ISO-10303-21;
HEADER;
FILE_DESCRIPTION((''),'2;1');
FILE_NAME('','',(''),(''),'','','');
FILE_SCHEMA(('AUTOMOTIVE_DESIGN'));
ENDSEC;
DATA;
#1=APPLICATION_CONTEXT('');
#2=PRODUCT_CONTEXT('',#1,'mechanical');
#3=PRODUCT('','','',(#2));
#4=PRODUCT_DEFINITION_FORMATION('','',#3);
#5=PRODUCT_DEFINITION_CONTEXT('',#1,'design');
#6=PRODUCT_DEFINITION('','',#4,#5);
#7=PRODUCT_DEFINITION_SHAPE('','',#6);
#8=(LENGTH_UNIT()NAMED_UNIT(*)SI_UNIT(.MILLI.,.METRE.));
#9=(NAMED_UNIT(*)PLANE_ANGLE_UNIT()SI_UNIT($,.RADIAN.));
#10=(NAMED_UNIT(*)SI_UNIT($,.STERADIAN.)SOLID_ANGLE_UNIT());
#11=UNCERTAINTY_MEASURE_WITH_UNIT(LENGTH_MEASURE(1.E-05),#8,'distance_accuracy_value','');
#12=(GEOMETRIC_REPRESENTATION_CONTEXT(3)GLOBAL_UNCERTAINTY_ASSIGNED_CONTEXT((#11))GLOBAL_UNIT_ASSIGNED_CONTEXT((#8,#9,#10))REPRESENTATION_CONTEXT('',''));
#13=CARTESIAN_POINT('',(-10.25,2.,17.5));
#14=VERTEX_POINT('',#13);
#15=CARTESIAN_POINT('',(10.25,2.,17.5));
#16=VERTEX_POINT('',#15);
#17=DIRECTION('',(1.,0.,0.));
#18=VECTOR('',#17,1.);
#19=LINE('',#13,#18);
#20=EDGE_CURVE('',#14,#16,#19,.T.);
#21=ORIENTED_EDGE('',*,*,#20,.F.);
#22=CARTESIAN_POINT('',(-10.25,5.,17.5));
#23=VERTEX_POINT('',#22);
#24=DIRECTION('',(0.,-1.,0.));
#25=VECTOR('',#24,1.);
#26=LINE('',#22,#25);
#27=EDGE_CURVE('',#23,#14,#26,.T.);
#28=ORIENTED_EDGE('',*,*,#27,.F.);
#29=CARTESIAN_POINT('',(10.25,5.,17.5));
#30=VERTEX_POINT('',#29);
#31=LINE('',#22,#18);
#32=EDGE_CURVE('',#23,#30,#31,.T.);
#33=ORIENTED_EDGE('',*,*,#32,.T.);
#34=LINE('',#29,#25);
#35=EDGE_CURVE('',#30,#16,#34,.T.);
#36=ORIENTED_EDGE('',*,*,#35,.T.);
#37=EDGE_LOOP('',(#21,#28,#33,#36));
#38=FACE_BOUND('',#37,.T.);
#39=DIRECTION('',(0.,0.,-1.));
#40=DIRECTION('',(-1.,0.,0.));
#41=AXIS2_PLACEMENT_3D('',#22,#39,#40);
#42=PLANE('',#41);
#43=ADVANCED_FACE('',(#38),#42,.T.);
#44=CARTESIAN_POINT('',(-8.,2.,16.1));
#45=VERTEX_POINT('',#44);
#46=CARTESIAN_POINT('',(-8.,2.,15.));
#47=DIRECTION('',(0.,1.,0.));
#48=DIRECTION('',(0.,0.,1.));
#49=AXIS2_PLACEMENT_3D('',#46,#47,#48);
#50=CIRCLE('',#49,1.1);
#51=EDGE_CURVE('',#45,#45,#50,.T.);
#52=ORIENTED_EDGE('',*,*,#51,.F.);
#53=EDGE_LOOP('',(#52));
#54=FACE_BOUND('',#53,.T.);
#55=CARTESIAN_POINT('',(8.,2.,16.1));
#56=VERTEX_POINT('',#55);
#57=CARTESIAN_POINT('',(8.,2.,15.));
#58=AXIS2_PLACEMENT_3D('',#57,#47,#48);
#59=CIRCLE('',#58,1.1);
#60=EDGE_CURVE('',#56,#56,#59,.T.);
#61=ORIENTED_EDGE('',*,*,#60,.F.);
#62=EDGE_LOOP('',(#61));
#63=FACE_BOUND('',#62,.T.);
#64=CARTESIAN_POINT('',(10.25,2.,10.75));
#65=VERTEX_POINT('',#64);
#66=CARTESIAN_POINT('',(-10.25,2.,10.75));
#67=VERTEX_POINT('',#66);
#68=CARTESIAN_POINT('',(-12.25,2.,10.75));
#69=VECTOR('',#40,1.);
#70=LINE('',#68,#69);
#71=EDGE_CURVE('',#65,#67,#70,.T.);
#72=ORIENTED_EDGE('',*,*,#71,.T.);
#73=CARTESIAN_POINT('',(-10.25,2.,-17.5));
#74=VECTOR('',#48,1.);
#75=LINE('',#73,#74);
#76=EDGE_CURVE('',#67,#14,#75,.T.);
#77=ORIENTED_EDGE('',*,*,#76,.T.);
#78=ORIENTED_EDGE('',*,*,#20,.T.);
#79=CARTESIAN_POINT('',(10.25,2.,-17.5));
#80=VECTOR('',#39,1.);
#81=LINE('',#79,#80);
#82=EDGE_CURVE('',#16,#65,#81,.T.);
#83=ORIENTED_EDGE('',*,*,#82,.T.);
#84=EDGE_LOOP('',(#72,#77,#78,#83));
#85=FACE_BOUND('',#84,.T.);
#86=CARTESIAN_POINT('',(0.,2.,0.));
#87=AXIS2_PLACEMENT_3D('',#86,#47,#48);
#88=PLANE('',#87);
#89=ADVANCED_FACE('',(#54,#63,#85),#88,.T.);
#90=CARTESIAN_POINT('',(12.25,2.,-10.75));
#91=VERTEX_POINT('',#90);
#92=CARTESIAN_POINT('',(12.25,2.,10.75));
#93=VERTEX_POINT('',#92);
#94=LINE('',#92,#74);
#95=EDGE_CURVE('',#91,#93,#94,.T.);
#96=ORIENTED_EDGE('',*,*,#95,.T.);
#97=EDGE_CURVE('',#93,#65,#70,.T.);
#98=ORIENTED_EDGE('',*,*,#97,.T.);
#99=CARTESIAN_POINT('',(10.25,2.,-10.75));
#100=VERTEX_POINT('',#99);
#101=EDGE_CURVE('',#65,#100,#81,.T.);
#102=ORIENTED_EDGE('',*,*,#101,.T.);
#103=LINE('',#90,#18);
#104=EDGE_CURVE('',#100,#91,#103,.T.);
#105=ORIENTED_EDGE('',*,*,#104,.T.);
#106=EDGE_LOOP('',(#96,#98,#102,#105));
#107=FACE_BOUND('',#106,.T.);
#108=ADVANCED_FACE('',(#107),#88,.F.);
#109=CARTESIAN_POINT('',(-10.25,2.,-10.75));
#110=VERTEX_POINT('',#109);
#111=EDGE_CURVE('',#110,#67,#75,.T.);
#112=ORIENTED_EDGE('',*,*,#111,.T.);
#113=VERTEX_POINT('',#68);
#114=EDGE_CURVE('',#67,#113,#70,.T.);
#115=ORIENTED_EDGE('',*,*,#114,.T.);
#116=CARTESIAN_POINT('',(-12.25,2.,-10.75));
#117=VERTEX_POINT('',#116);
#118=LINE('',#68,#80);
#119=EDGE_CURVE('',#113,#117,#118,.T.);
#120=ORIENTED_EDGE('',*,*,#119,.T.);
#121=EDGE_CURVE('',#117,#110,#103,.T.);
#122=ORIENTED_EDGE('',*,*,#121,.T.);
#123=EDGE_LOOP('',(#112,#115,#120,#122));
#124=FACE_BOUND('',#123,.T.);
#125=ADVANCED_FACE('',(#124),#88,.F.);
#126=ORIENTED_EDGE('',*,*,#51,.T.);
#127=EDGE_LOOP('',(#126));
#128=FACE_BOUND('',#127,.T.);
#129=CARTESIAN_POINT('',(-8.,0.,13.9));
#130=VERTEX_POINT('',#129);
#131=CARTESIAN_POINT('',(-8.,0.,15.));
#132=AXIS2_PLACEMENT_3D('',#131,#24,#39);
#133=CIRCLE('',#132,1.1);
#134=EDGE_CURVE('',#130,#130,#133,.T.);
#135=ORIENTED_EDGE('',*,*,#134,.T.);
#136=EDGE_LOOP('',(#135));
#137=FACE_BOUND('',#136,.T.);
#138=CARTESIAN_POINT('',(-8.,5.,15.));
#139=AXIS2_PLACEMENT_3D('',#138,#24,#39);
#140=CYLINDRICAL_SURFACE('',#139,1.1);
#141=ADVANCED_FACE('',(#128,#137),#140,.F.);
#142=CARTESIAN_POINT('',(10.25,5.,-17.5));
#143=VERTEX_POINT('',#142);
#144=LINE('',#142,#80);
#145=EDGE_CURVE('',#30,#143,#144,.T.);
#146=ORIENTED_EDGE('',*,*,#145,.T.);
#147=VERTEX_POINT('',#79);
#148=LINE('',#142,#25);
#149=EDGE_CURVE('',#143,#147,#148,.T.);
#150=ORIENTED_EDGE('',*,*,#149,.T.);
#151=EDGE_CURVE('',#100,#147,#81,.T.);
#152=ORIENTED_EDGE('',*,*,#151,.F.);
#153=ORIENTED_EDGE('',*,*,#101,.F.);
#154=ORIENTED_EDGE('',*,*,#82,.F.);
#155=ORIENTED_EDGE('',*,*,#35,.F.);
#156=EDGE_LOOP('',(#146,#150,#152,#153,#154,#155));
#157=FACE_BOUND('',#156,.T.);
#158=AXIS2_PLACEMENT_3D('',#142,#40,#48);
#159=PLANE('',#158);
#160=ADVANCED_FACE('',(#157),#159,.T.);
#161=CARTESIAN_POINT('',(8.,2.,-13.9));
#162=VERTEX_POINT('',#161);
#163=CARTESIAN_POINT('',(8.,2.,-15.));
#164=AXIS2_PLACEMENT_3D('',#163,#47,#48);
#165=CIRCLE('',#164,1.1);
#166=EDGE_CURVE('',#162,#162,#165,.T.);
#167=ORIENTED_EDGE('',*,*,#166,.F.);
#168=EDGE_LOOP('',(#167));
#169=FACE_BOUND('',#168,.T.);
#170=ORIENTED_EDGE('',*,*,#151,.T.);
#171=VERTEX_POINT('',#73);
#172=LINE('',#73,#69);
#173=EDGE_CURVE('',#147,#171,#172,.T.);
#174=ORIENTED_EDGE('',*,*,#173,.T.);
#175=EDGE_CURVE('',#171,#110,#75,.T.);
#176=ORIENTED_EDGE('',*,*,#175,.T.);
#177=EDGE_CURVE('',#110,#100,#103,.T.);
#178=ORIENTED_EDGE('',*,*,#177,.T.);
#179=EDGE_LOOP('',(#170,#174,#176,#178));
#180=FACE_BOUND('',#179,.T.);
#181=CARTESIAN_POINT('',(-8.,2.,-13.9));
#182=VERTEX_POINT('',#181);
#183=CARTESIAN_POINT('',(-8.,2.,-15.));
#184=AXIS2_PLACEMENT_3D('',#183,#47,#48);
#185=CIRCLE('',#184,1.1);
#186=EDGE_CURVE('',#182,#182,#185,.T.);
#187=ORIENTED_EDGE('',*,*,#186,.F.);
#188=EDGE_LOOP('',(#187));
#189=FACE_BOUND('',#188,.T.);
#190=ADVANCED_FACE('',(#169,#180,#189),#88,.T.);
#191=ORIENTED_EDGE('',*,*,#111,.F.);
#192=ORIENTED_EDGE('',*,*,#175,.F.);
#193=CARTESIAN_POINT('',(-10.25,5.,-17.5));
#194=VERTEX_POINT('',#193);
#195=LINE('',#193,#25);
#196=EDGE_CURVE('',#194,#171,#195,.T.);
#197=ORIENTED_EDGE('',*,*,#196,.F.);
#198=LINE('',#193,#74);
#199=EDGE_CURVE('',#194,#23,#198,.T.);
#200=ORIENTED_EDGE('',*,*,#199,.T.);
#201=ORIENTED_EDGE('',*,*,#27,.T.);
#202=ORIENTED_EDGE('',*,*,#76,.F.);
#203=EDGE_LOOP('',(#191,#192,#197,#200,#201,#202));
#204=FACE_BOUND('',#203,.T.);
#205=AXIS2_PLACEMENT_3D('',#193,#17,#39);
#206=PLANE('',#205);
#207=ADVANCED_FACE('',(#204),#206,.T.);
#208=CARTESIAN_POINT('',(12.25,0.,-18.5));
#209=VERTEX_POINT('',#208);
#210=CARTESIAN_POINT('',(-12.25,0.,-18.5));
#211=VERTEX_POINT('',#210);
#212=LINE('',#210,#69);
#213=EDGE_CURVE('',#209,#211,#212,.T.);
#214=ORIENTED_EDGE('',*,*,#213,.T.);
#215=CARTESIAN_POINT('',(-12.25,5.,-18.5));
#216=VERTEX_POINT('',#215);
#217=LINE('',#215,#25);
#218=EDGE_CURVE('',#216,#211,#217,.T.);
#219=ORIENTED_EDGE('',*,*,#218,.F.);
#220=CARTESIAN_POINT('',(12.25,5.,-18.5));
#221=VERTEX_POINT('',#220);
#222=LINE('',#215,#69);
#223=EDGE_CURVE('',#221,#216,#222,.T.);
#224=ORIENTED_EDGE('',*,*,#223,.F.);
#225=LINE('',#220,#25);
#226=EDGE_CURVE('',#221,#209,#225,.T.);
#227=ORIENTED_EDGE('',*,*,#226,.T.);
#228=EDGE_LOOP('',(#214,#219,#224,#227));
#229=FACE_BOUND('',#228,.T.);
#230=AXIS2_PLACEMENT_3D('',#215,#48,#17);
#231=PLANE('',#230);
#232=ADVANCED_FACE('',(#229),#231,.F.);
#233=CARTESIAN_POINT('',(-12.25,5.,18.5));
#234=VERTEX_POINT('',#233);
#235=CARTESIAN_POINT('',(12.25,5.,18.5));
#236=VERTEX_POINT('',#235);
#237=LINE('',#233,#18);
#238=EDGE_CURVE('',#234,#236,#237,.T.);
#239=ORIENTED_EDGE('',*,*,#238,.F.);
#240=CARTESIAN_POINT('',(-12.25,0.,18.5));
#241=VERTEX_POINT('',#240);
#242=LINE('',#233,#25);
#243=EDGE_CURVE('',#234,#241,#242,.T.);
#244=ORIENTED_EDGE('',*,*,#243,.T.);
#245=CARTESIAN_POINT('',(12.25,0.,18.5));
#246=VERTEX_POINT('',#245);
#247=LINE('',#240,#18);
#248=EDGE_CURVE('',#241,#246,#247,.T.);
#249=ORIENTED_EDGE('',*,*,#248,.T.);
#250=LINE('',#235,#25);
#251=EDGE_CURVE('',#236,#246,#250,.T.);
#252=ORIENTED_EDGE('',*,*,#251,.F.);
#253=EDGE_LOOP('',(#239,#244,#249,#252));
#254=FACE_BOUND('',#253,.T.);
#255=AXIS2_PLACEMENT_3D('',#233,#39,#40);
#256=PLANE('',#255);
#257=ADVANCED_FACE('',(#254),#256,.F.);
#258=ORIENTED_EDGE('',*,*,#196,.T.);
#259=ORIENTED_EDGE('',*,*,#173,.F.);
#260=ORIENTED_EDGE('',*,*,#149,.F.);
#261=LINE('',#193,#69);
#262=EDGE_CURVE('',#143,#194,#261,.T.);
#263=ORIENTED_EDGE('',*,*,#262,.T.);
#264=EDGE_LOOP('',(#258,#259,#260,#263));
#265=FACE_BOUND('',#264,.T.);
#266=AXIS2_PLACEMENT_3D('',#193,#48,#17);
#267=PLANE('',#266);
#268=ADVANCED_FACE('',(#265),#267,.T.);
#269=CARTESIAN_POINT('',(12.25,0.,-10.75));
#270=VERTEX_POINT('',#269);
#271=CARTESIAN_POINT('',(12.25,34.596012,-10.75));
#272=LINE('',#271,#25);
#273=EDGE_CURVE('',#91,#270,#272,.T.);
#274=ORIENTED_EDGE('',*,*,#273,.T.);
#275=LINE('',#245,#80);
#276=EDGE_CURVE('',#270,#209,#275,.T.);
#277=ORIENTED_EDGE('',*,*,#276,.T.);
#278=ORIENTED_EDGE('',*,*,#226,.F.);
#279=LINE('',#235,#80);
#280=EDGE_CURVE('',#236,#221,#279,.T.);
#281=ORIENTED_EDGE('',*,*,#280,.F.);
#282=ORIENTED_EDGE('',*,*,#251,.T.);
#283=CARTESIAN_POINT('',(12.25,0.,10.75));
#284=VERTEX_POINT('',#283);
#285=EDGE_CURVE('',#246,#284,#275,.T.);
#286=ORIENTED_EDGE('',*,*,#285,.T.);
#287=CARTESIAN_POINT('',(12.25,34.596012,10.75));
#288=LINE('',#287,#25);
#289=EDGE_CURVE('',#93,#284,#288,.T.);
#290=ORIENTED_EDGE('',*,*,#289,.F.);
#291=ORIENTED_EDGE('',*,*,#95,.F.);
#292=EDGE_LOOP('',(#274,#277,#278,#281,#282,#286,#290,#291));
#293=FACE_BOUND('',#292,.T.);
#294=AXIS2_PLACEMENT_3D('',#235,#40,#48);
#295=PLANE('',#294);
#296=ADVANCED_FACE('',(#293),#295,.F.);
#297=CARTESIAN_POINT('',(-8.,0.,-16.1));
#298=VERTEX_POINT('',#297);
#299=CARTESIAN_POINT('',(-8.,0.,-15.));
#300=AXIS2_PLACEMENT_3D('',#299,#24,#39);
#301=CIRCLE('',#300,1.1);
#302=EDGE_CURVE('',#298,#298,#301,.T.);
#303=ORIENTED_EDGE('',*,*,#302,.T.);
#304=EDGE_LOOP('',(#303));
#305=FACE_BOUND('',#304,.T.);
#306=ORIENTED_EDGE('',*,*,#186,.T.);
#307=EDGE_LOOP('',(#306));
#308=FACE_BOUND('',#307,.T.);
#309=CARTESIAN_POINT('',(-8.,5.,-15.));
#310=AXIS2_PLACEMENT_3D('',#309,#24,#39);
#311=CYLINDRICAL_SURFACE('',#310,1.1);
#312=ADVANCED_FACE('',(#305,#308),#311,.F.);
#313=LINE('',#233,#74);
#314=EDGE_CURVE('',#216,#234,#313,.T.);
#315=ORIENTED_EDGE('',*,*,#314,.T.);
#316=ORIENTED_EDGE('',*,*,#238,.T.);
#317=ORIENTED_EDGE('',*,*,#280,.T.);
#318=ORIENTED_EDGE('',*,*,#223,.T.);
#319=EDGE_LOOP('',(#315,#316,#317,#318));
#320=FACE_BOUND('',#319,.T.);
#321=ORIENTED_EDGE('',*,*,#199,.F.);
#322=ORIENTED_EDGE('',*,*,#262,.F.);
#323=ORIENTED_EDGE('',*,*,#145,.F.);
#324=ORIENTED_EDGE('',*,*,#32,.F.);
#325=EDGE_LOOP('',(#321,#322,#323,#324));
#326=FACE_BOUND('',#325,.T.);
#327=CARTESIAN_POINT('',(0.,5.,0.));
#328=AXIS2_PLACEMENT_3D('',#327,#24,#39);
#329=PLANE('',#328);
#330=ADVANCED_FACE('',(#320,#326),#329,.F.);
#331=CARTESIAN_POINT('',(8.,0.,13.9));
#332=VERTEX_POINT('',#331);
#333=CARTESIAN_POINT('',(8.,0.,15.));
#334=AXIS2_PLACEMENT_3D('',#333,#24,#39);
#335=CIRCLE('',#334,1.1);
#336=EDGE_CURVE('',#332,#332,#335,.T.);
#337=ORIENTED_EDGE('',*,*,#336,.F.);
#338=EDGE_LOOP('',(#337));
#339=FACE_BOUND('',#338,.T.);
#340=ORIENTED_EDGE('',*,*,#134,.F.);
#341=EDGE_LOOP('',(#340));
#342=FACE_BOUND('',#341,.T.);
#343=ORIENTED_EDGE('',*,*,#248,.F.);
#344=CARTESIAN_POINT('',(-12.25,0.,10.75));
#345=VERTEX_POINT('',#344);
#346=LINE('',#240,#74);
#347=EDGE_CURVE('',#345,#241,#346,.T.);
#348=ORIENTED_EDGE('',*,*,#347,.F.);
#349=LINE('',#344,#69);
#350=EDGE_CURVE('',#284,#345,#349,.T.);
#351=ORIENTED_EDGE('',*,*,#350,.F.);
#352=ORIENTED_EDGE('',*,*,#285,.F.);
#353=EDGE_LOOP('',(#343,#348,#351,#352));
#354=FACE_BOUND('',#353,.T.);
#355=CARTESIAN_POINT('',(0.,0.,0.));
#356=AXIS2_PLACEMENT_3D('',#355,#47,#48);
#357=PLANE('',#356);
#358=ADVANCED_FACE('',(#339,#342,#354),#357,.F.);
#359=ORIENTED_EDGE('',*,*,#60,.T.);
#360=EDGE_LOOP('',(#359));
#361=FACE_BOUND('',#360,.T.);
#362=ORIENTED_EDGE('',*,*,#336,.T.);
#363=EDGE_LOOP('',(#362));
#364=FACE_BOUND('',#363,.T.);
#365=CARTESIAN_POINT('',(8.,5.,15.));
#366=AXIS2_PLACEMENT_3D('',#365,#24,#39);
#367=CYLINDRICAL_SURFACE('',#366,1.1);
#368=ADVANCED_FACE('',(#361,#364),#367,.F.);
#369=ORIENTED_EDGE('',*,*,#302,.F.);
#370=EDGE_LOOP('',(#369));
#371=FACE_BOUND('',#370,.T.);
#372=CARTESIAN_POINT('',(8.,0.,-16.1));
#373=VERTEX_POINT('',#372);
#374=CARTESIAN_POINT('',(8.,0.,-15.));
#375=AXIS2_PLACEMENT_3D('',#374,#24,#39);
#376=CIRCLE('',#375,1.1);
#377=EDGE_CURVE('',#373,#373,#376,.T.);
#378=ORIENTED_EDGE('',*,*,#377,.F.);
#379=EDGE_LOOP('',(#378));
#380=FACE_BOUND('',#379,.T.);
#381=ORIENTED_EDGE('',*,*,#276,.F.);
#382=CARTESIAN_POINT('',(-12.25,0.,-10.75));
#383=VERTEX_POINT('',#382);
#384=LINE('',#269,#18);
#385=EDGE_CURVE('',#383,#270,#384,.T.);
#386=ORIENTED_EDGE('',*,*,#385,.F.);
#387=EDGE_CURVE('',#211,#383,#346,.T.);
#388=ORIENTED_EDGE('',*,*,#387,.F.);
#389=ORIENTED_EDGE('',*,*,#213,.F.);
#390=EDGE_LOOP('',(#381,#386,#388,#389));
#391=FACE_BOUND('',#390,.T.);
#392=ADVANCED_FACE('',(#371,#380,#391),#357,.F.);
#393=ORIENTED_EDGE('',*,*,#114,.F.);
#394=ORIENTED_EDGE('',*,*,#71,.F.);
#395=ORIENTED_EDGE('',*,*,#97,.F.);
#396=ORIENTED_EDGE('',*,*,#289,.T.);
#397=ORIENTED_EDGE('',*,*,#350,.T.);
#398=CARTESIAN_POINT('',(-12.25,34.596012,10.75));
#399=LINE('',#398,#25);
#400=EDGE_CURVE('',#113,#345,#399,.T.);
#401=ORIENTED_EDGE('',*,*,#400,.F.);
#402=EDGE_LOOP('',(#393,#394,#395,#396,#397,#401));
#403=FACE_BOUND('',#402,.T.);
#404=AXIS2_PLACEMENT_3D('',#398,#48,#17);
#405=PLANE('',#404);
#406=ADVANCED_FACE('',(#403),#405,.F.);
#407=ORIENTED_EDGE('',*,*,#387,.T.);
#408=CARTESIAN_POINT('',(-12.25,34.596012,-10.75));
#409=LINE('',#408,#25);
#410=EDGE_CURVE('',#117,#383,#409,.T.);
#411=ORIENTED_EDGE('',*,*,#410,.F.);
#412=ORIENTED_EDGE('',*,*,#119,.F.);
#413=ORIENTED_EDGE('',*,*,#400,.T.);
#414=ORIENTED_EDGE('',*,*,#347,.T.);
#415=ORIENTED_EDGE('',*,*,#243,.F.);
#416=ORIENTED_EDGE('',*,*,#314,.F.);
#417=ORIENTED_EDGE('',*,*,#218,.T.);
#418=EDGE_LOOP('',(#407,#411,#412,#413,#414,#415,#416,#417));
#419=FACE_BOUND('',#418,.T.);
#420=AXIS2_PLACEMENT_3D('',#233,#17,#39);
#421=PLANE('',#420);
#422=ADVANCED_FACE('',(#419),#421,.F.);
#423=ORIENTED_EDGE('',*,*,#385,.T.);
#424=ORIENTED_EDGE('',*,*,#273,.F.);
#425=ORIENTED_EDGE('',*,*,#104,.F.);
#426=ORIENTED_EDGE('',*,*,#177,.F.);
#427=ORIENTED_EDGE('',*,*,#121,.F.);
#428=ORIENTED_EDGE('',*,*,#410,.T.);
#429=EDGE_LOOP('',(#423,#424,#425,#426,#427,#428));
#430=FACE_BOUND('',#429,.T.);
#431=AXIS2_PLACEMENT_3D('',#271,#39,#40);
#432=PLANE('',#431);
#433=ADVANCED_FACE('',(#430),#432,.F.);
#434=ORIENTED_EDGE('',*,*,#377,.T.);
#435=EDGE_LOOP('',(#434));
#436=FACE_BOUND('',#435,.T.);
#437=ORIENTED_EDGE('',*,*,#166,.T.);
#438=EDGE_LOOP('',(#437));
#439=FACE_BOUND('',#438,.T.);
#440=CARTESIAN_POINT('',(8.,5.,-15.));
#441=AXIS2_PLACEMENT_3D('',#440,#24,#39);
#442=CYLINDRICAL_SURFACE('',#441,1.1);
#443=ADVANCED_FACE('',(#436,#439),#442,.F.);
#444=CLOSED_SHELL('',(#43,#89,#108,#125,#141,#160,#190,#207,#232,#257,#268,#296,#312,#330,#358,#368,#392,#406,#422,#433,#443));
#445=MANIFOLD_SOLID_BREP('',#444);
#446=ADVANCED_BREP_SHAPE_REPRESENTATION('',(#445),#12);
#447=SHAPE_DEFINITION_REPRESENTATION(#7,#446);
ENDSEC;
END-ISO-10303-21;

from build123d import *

# Parameters (mm, degrees)
SKETCH_1_W          = 20.5
SKETCH_1_H          = 35
EXTRUDE_1_DEPTH     = 2
SKETCH_2_W          = 24.5
SKETCH_2_H          = 37
SKETCH_2_W_2        = 20.5
SKETCH_2_H_2        = 35
EXTRUDE_2_DEPTH     = 5
SKETCH_3_R          = 1.1
CUT_EXTRUDE_1_DEPTH = 23.744504831
SKETCH_4_W          = 24.5
SKETCH_4_H          = 21.5
CUT_EXTRUDE_4_DEPTH = 2


with BuildPart() as part:
    # 草图1 → 凸台-拉伸1 (new body)
    with BuildSketch(Plane(origin=(0, 0, 0), x_dir=(1, 0, 0), z_dir=(0, 1, 0))):
        Rectangle(SKETCH_1_W, SKETCH_1_H)
    extrude(amount=EXTRUDE_1_DEPTH)

    # 草图2 → 凸台-拉伸2 (add)
    with BuildSketch(Plane(origin=(0, 0, 0), x_dir=(1, 0, 0), z_dir=(0, 1, 0))):
        Rectangle(SKETCH_2_W, SKETCH_2_H)
        Rectangle(SKETCH_2_W_2, SKETCH_2_H_2, mode=Mode.SUBTRACT)
    extrude(amount=EXTRUDE_2_DEPTH)

    # 草图3 → 切除-拉伸1 (cut, through all)
    with BuildSketch(Plane.XZ):
        with Locations(Location((-8, 15, 0), (0, 0, 270))):
            Circle(SKETCH_3_R)
        with Locations(Location((8, 15, 0), (0, 0, 270))):
            Circle(SKETCH_3_R)
        with Locations(Location((8, -15, 0), (0, 0, 270))):
            Circle(SKETCH_3_R)
        with Locations(Location((-8, -15, 0), (0, 0, 270))):
            Circle(SKETCH_3_R)
    extrude(amount=-CUT_EXTRUDE_1_DEPTH, mode=Mode.SUBTRACT)

    # 草图4 → 切除-拉伸4 (cut)
    with BuildSketch(Plane.XZ):
        Rectangle(SKETCH_4_W, SKETCH_4_H)
    extrude(amount=-CUT_EXTRUDE_4_DEPTH, mode=Mode.SUBTRACT)


solid = part.part
